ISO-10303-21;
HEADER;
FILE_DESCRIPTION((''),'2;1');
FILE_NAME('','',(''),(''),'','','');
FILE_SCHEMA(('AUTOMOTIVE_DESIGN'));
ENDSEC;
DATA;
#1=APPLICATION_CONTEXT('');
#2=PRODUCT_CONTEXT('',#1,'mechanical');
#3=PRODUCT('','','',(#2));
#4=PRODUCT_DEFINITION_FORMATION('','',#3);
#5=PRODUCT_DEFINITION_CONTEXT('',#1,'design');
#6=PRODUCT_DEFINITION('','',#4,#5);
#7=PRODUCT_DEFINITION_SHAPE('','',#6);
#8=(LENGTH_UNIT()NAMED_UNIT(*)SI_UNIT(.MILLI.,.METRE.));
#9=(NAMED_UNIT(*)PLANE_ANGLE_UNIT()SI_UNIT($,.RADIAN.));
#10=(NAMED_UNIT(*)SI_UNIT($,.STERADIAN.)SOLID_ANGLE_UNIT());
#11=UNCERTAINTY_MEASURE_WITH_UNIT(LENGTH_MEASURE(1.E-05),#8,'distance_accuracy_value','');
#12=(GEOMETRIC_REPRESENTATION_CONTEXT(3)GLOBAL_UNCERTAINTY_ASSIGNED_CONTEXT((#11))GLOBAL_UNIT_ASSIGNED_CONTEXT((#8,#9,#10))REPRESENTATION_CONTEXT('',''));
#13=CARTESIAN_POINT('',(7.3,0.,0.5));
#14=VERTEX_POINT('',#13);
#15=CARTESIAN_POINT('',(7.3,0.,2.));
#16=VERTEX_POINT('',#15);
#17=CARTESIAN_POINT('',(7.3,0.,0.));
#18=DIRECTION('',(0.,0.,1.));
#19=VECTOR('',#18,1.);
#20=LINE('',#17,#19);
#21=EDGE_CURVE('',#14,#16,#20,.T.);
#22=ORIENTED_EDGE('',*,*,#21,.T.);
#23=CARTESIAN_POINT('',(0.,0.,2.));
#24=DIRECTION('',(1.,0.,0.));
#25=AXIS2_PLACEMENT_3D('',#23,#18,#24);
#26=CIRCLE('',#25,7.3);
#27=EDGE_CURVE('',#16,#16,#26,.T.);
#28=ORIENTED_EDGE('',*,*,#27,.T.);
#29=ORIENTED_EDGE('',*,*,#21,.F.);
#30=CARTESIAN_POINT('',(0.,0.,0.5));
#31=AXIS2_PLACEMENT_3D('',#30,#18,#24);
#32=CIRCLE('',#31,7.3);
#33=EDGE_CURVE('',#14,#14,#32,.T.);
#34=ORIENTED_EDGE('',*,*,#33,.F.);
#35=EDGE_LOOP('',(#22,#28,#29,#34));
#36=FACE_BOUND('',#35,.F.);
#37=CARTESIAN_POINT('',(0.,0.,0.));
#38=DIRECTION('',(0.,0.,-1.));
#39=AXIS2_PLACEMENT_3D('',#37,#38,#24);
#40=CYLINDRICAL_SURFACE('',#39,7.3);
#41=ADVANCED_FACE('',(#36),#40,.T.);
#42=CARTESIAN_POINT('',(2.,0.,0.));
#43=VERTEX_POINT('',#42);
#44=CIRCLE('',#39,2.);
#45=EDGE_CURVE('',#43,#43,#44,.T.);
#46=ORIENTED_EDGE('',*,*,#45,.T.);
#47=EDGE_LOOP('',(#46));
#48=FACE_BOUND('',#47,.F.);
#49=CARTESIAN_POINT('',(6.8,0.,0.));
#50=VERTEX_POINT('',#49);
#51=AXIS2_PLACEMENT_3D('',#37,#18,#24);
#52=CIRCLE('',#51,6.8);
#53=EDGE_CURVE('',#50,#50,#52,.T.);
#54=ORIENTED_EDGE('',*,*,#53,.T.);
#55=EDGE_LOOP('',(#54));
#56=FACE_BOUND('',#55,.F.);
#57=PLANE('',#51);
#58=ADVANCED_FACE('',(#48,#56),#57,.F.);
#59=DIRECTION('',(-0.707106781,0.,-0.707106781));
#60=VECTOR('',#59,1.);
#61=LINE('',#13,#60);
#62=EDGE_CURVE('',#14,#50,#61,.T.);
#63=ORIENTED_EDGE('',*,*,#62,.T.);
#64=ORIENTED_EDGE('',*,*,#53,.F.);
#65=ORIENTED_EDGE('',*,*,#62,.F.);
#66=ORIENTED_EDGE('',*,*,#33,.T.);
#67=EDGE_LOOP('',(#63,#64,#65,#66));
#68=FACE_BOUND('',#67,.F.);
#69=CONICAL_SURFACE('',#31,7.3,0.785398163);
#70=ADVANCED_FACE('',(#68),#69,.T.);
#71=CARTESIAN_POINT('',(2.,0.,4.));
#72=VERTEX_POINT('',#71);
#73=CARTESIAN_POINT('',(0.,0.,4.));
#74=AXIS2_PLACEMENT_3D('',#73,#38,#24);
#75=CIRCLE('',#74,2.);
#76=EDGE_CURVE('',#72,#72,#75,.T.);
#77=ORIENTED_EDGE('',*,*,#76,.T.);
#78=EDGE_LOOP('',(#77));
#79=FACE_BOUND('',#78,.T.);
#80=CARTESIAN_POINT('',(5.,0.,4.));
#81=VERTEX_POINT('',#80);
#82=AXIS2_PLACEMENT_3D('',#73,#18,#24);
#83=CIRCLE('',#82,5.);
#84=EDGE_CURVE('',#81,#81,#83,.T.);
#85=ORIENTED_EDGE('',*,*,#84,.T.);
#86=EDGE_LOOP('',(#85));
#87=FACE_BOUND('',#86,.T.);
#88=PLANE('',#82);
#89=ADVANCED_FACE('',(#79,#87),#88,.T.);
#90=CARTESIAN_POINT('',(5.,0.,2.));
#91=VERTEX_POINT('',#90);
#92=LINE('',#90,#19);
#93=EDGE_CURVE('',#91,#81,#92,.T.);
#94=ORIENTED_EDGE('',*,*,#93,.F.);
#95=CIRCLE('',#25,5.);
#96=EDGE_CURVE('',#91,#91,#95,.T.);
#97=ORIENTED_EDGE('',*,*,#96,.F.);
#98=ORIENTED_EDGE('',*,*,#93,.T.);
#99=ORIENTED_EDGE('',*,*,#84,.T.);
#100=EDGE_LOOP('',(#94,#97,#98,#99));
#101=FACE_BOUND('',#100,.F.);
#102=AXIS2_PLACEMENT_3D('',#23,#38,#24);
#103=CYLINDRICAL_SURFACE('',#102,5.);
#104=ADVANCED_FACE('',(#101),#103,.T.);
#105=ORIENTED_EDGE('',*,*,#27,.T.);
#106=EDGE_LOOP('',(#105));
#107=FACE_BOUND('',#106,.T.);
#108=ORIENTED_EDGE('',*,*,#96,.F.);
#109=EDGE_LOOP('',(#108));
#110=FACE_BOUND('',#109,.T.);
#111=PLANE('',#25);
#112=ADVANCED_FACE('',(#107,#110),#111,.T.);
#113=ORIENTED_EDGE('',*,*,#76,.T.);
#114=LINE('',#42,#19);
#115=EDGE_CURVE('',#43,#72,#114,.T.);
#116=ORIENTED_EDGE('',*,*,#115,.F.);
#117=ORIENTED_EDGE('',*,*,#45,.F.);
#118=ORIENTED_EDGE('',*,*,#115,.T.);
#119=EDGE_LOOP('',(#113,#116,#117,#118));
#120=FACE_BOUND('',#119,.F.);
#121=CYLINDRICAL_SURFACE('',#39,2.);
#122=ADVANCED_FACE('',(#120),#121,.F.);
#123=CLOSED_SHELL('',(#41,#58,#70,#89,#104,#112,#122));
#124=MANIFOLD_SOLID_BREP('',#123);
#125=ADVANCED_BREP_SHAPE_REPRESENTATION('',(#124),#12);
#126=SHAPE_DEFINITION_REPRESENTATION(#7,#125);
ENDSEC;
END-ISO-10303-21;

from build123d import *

# Parameters (mm, degrees)
F0_R     = 7.3
F1_DEPTH = 2
F2_R     = 5
F3_DEPTH = 2
F4_SIZE  = 0.5
F5_R     = 2
F6_DEPTH = 4.001


with BuildPart() as f1:
    # F0 (on Top) → F1 (new body)
    with BuildSketch(Plane.XY):
        Circle(F0_R)
    extrude(amount=F1_DEPTH)

    # F2 (on face) → F3 (join)
    with BuildSketch(Plane.XY.offset(2)):
        Circle(F2_R)
    extrude(amount=F3_DEPTH)

    # F4
    f4_edges = [f1.edges().sort_by_distance(p)[0] for p in [
        (-7.3, 0, 0),
    ]]
    chamfer(f4_edges, length=F4_SIZE)

    # F5 (on face) → F6 (cut, through all)
    with BuildSketch(Plane(origin=(0, 0, 0), x_dir=(1, 0, 0), z_dir=(0, 0, -1))):
        Circle(F5_R)
    extrude(amount=-F6_DEPTH, mode=Mode.SUBTRACT)


solid = f1.part
